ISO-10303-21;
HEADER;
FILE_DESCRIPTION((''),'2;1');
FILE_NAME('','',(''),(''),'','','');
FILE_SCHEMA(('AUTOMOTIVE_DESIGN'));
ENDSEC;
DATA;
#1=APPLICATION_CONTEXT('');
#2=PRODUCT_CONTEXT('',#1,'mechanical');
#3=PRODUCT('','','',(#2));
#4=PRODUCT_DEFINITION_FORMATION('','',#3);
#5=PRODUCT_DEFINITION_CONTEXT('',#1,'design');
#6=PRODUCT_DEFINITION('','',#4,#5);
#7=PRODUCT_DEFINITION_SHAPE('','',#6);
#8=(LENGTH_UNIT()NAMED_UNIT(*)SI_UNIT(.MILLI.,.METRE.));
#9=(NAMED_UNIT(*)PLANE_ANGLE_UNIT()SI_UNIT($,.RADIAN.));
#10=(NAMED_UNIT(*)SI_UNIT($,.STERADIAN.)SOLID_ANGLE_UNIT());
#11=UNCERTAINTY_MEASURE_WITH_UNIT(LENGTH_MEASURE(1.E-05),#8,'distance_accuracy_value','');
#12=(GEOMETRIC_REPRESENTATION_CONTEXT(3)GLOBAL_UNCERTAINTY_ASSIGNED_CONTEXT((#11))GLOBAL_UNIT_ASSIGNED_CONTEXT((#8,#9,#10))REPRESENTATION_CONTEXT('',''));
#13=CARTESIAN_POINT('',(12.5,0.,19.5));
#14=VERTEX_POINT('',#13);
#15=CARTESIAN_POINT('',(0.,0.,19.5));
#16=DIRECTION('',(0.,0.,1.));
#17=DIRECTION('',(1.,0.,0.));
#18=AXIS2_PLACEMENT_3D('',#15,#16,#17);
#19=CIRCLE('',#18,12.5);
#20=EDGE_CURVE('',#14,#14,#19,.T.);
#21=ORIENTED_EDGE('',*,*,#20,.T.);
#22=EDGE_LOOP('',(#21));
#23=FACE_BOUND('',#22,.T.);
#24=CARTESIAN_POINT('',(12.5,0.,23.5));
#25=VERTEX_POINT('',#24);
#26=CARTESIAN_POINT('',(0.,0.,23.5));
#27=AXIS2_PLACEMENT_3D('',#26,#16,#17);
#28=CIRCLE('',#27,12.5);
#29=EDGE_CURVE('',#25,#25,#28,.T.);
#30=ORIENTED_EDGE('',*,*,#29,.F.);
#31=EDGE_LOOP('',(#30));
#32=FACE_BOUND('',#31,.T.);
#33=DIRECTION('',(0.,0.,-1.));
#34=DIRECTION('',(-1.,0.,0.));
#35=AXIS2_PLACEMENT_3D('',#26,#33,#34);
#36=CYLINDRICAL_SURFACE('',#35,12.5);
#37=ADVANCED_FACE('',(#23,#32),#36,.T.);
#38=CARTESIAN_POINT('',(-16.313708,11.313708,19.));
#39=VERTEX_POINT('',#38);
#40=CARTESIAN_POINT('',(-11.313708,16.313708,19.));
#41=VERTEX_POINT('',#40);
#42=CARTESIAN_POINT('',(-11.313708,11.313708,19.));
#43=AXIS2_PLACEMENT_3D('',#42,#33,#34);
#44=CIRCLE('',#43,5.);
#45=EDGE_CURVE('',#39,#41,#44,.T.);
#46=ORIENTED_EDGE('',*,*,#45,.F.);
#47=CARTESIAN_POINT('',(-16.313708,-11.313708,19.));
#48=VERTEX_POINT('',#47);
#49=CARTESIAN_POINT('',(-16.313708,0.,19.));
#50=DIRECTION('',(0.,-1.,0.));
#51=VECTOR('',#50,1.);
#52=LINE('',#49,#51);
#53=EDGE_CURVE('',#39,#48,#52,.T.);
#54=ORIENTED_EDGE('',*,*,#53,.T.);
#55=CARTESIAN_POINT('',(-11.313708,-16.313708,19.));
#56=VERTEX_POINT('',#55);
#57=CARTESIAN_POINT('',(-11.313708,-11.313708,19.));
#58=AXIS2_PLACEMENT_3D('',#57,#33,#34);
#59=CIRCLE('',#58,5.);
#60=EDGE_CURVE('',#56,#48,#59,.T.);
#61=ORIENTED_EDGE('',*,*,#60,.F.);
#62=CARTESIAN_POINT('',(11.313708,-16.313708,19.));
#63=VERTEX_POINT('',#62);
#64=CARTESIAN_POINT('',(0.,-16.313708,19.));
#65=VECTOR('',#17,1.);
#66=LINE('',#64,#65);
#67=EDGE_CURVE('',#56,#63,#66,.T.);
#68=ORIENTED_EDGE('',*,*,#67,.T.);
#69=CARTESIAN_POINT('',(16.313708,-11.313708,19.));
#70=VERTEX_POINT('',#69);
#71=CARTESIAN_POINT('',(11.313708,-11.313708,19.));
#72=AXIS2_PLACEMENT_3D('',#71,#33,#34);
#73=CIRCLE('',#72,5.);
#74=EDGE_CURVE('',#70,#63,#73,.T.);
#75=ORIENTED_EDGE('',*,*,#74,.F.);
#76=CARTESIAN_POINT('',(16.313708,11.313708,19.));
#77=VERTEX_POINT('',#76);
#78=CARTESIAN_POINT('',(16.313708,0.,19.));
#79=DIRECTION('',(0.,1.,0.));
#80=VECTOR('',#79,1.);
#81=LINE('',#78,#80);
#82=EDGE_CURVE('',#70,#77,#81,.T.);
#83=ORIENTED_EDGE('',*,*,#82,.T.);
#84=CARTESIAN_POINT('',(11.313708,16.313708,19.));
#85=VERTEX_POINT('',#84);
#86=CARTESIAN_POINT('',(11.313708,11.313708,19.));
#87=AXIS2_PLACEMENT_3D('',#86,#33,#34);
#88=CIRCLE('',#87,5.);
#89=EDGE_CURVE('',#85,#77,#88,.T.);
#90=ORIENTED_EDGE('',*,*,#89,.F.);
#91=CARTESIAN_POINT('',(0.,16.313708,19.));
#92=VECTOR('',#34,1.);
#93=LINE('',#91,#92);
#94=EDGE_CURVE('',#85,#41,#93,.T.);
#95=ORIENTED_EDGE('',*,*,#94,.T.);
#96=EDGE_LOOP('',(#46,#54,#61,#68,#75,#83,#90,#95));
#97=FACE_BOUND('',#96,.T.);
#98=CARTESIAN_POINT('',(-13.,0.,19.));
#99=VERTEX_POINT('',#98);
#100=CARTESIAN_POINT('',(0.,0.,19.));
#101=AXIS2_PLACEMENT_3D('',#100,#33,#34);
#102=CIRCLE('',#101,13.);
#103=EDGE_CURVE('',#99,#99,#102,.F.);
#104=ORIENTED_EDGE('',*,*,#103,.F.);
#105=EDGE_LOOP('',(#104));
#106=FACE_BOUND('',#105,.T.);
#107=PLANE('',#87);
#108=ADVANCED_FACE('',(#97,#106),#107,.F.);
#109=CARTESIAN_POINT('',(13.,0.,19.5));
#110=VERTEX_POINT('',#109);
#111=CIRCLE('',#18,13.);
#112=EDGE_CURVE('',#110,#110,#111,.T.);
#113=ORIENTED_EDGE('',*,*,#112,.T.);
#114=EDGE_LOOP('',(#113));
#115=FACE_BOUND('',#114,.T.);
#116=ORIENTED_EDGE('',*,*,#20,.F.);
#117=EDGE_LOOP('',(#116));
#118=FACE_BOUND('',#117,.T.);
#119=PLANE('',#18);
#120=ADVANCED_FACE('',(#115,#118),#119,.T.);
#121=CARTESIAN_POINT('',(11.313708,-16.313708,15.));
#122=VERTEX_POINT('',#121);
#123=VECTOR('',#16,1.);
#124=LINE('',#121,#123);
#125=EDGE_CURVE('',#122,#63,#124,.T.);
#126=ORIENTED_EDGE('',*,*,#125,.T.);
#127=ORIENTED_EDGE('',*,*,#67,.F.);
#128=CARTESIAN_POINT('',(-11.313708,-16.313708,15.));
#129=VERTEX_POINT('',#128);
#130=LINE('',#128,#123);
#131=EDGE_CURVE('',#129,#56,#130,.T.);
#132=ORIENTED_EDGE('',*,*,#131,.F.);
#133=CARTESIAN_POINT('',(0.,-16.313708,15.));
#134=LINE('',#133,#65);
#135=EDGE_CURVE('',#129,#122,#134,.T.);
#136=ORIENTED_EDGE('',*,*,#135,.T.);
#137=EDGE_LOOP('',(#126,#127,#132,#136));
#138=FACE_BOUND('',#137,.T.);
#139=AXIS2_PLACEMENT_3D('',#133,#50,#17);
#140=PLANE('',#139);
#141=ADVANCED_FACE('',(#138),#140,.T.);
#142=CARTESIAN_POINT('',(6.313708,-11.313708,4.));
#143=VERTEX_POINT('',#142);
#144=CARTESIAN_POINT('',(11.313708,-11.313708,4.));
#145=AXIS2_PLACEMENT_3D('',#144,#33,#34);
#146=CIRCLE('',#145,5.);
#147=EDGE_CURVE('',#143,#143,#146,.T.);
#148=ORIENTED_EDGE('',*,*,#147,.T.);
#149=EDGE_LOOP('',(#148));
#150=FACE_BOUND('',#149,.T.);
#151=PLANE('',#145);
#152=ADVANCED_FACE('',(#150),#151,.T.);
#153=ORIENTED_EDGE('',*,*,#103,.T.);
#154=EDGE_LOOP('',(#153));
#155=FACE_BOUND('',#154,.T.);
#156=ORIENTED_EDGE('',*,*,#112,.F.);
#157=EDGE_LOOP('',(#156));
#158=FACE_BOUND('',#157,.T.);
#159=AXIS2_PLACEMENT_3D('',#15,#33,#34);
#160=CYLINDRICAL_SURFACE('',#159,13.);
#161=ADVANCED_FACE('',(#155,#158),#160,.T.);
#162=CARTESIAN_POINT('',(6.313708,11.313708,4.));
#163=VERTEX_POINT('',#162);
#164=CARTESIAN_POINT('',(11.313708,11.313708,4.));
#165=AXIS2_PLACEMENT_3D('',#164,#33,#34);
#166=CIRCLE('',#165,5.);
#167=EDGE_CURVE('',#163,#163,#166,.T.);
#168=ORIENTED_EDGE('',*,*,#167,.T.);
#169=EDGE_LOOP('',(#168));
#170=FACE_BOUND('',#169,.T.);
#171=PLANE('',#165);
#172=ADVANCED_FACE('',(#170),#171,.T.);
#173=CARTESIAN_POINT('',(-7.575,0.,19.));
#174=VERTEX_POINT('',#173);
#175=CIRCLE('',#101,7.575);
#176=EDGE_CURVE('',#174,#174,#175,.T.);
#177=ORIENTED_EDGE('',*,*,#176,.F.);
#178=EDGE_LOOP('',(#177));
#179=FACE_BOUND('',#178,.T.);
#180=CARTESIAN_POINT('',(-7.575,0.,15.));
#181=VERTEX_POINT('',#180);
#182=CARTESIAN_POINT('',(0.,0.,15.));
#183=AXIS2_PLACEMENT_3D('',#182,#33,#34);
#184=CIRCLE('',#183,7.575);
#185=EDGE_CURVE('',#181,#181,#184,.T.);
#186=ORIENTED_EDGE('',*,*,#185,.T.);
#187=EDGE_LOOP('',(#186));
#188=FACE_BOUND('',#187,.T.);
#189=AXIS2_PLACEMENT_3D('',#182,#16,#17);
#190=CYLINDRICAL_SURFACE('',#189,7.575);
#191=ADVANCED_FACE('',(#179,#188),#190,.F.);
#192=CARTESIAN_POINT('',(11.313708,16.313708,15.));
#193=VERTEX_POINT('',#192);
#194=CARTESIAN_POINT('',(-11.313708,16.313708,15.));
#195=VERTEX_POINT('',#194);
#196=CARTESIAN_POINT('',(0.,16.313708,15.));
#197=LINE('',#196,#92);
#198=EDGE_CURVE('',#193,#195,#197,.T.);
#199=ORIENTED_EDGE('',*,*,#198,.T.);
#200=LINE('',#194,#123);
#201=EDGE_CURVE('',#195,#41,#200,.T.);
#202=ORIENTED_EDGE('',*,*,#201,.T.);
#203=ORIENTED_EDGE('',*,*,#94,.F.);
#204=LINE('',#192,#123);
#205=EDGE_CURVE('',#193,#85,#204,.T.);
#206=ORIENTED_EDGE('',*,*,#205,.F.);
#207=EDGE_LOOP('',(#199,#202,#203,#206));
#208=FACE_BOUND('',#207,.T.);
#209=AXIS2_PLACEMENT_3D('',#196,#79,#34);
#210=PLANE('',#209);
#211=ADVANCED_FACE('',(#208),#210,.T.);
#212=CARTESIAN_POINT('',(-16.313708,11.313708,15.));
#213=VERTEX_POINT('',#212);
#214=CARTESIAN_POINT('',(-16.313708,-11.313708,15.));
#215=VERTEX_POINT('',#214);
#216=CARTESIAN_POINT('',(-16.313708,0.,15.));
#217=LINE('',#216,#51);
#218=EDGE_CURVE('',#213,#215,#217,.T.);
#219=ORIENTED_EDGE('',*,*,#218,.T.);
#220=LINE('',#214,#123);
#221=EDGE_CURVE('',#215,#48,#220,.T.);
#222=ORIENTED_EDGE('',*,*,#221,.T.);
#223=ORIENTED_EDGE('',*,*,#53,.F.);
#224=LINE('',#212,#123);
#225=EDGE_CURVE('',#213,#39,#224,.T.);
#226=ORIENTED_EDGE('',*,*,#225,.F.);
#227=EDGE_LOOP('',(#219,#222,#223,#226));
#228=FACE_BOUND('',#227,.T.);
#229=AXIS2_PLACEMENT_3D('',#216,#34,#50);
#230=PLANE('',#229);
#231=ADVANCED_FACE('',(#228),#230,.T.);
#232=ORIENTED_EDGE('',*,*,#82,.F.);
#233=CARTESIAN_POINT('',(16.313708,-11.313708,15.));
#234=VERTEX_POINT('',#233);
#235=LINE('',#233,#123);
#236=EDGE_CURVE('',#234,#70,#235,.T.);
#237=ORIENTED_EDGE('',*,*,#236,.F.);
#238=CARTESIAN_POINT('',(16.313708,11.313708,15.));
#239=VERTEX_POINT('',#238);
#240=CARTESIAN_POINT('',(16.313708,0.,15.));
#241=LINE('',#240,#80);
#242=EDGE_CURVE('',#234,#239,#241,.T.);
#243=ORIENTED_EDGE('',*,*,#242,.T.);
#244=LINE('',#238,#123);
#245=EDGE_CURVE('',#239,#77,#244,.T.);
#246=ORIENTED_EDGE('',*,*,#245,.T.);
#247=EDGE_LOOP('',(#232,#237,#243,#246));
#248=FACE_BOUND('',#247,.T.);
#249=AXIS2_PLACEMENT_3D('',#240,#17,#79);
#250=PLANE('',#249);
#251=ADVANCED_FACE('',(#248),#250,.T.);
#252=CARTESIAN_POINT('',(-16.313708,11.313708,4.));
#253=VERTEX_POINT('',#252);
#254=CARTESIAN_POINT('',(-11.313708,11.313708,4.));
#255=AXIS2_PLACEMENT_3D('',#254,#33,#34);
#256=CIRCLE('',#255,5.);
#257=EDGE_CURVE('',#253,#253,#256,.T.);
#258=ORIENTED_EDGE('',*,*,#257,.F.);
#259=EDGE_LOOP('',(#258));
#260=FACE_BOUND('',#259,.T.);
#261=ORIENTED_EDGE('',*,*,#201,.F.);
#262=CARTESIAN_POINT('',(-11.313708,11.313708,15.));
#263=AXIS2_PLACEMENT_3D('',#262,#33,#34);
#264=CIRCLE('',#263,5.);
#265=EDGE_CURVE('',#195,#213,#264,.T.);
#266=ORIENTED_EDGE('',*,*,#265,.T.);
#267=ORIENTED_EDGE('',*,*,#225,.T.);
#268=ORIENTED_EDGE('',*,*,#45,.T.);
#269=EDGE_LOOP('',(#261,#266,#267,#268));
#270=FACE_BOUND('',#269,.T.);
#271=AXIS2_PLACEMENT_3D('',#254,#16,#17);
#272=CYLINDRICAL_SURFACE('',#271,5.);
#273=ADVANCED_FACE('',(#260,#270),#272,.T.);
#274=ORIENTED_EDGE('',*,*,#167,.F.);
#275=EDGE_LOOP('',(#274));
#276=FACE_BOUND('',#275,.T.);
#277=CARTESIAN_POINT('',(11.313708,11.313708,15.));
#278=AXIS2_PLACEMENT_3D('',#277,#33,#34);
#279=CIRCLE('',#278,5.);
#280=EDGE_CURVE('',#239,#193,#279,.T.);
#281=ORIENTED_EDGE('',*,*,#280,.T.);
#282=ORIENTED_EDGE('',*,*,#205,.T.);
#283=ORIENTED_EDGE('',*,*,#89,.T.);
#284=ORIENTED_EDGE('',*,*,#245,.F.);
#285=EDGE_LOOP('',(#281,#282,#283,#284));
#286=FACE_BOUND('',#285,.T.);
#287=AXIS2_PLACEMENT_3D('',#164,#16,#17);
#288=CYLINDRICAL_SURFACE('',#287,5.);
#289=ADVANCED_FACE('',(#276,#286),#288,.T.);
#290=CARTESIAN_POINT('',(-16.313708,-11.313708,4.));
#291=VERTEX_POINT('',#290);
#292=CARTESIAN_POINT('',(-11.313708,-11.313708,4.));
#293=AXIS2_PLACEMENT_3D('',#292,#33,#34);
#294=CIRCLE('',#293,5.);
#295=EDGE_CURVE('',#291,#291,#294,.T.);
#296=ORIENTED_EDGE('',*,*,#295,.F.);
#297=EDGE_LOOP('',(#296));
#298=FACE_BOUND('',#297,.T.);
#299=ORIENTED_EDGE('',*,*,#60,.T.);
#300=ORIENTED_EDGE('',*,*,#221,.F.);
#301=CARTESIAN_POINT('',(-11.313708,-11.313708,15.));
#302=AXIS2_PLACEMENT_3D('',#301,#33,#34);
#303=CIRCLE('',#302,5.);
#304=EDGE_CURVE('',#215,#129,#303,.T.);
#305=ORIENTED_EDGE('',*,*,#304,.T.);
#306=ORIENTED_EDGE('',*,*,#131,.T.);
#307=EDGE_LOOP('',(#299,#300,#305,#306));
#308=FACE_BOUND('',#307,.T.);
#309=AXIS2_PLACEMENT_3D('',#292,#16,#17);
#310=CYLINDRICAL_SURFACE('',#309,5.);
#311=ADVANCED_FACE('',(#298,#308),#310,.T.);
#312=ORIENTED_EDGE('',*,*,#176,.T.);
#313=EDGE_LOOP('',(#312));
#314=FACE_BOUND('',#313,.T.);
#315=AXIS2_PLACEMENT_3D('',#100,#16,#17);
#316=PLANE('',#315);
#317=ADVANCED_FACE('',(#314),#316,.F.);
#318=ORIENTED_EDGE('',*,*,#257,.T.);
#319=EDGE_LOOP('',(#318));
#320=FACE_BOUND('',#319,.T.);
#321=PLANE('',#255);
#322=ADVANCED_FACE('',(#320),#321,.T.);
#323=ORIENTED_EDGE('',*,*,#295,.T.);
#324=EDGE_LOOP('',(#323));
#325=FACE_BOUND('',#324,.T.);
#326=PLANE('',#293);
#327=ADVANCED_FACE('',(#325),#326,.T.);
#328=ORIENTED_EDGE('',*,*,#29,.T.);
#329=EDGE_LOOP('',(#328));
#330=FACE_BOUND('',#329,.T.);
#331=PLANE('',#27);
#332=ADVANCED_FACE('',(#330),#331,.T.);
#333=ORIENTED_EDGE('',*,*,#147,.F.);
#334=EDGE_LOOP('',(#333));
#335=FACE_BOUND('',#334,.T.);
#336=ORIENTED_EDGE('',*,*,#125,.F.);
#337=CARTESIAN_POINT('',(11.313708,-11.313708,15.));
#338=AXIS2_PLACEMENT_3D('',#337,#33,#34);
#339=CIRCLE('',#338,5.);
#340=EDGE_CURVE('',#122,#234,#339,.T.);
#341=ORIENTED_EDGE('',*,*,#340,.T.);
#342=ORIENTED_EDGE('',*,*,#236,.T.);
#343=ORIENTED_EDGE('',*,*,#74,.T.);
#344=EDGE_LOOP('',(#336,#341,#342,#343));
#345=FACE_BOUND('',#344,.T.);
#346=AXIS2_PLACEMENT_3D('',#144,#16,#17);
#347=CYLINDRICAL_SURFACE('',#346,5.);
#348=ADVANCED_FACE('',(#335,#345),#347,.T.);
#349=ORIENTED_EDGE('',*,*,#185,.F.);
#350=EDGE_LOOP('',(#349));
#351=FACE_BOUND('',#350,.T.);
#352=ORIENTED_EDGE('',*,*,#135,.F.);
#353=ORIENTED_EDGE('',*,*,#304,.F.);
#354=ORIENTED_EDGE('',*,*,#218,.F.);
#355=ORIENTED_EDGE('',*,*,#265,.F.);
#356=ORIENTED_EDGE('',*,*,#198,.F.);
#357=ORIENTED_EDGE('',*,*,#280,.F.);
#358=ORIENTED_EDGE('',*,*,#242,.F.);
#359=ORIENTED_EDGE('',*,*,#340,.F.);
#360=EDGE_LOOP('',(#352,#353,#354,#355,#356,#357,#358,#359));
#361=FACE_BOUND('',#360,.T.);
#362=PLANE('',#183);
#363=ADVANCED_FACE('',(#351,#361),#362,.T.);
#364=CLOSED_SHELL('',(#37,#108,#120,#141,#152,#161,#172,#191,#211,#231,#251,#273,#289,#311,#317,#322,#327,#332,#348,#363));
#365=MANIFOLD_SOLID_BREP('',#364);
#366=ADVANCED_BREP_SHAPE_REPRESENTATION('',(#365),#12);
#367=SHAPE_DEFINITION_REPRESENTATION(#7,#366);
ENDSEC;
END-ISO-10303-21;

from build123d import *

# Parameters (mm, degrees)
SKETCH3_R             = 5
BOSS_EXTRUDE1_DEPTH   = 15
BOSS_EXTRUDE1_2_DEPTH = 15
BOSS_EXTRUDE1_3_DEPTH = 15
BOSS_EXTRUDE1_4_DEPTH = 15
SKETCH4_R             = 7.575
BOSS_EXTRUDE2_DEPTH   = 4
SKETCH5_R             = 12.5
BOSS_EXTRUDE3_DEPTH   = 4.5
SKETCH6_R             = 13
SKETCH6_R_2           = 12.5
BOSS_EXTRUDE4_DEPTH   = 0.5


with BuildPart() as part:
    # Sketch3 → Boss-Extrude1 (new body)
    with BuildSketch(Plane(origin=(0, 0, 19), x_dir=(-1, 0, 0), z_dir=(0, 0, -1))):
        with Locations((-11.313708499, 11.313708499)):
            Circle(SKETCH3_R)
    extrude(amount=BOSS_EXTRUDE1_DEPTH)



with BuildPart() as body_2:
    # Sketch3 → Boss-Extrude1 2 (new body)
    with BuildSketch(Plane(origin=(0, 0, 19), x_dir=(-1, 0, 0), z_dir=(0, 0, -1))):
        with Locations((11.313708499, 11.313708499)):
            Circle(SKETCH3_R)
    extrude(amount=BOSS_EXTRUDE1_2_DEPTH)


with BuildPart() as body_3:
    # Sketch3 → Boss-Extrude1 3 (new body)
    with BuildSketch(Plane(origin=(0, 0, 19), x_dir=(-1, 0, 0), z_dir=(0, 0, -1))):
        with Locations((11.313708499, -11.313708499)):
            Circle(SKETCH3_R)
    extrude(amount=BOSS_EXTRUDE1_3_DEPTH)


with BuildPart() as body_4:
    # Sketch3 → Boss-Extrude1 4 (new body)
    with BuildSketch(Plane(origin=(0, 0, 19), x_dir=(-1, 0, 0), z_dir=(0, 0, -1))):
        with Locations((-11.313708499, -11.313708499)):
            Circle(SKETCH3_R)
    extrude(amount=BOSS_EXTRUDE1_4_DEPTH)


with BuildPart() as part_1:
    add(part.part)

    add(body_2.part)  # Boss-Extrude2 merges body 2

    add(body_3.part)  # Boss-Extrude2 merges body 3

    add(body_4.part)  # Boss-Extrude2 merges body 4
    # Sketch4 → Boss-Extrude2 (add)
    with BuildSketch(Plane(origin=(0, 0, 19), x_dir=(-1, 0, 0), z_dir=(0, 0, -1))):
        with BuildLine():
            Line((16.313708499, -11.313708499), (16.313708499, 11.313708499))
            ThreePointArc((16.313708499, 11.313708499), (7.778174593, 7.778174593), (11.313708499, 16.313708499))
            Line((11.313708499, 16.313708499), (-11.313708499, 16.313708499))
            ThreePointArc((-11.313708499, 16.313708499), (-7.778174593, 14.849242405), (-6.313708499, 11.313708499))
            ThreePointArc((-6.313708499, 11.313708499), (-11.313708499, 6.313708499), (-16.313708499, 11.313708499))
            Line((-16.313708499, 11.313708499), (-16.313708499, -11.313708499))
            ThreePointArc((-16.313708499, -11.313708499), (-11.313708499, -6.313708499), (-6.313708499, -11.313708499))
            ThreePointArc((-6.313708499, -11.313708499), (-7.778174593, -14.849242405), (-11.313708499, -16.313708499))
            Line((-11.313708499, -16.313708499), (11.313708499, -16.313708499))
            ThreePointArc((11.313708499, -16.313708499), (7.778174593, -7.778174593), (16.313708499, -11.313708499))
        make_face()
        Circle(SKETCH4_R, mode=Mode.SUBTRACT)
    extrude(amount=BOSS_EXTRUDE2_DEPTH)

    # Sketch5 → Boss-Extrude3 (add)
    with BuildSketch(Plane.XY.offset(19)):
        with Locations(Location((0, 0, 0), (0, 0, 180))):
            Circle(SKETCH5_R)
    extrude(amount=BOSS_EXTRUDE3_DEPTH)

    # Sketch6 → Boss-Extrude4 (add)
    with BuildSketch(Plane.XY.offset(19)):
        with Locations(Location((0, 0, 0), (0, 0, 180))):
            Circle(SKETCH6_R)
        Circle(SKETCH6_R_2, mode=Mode.SUBTRACT)
    extrude(amount=BOSS_EXTRUDE4_DEPTH)


solid = part_1.part
